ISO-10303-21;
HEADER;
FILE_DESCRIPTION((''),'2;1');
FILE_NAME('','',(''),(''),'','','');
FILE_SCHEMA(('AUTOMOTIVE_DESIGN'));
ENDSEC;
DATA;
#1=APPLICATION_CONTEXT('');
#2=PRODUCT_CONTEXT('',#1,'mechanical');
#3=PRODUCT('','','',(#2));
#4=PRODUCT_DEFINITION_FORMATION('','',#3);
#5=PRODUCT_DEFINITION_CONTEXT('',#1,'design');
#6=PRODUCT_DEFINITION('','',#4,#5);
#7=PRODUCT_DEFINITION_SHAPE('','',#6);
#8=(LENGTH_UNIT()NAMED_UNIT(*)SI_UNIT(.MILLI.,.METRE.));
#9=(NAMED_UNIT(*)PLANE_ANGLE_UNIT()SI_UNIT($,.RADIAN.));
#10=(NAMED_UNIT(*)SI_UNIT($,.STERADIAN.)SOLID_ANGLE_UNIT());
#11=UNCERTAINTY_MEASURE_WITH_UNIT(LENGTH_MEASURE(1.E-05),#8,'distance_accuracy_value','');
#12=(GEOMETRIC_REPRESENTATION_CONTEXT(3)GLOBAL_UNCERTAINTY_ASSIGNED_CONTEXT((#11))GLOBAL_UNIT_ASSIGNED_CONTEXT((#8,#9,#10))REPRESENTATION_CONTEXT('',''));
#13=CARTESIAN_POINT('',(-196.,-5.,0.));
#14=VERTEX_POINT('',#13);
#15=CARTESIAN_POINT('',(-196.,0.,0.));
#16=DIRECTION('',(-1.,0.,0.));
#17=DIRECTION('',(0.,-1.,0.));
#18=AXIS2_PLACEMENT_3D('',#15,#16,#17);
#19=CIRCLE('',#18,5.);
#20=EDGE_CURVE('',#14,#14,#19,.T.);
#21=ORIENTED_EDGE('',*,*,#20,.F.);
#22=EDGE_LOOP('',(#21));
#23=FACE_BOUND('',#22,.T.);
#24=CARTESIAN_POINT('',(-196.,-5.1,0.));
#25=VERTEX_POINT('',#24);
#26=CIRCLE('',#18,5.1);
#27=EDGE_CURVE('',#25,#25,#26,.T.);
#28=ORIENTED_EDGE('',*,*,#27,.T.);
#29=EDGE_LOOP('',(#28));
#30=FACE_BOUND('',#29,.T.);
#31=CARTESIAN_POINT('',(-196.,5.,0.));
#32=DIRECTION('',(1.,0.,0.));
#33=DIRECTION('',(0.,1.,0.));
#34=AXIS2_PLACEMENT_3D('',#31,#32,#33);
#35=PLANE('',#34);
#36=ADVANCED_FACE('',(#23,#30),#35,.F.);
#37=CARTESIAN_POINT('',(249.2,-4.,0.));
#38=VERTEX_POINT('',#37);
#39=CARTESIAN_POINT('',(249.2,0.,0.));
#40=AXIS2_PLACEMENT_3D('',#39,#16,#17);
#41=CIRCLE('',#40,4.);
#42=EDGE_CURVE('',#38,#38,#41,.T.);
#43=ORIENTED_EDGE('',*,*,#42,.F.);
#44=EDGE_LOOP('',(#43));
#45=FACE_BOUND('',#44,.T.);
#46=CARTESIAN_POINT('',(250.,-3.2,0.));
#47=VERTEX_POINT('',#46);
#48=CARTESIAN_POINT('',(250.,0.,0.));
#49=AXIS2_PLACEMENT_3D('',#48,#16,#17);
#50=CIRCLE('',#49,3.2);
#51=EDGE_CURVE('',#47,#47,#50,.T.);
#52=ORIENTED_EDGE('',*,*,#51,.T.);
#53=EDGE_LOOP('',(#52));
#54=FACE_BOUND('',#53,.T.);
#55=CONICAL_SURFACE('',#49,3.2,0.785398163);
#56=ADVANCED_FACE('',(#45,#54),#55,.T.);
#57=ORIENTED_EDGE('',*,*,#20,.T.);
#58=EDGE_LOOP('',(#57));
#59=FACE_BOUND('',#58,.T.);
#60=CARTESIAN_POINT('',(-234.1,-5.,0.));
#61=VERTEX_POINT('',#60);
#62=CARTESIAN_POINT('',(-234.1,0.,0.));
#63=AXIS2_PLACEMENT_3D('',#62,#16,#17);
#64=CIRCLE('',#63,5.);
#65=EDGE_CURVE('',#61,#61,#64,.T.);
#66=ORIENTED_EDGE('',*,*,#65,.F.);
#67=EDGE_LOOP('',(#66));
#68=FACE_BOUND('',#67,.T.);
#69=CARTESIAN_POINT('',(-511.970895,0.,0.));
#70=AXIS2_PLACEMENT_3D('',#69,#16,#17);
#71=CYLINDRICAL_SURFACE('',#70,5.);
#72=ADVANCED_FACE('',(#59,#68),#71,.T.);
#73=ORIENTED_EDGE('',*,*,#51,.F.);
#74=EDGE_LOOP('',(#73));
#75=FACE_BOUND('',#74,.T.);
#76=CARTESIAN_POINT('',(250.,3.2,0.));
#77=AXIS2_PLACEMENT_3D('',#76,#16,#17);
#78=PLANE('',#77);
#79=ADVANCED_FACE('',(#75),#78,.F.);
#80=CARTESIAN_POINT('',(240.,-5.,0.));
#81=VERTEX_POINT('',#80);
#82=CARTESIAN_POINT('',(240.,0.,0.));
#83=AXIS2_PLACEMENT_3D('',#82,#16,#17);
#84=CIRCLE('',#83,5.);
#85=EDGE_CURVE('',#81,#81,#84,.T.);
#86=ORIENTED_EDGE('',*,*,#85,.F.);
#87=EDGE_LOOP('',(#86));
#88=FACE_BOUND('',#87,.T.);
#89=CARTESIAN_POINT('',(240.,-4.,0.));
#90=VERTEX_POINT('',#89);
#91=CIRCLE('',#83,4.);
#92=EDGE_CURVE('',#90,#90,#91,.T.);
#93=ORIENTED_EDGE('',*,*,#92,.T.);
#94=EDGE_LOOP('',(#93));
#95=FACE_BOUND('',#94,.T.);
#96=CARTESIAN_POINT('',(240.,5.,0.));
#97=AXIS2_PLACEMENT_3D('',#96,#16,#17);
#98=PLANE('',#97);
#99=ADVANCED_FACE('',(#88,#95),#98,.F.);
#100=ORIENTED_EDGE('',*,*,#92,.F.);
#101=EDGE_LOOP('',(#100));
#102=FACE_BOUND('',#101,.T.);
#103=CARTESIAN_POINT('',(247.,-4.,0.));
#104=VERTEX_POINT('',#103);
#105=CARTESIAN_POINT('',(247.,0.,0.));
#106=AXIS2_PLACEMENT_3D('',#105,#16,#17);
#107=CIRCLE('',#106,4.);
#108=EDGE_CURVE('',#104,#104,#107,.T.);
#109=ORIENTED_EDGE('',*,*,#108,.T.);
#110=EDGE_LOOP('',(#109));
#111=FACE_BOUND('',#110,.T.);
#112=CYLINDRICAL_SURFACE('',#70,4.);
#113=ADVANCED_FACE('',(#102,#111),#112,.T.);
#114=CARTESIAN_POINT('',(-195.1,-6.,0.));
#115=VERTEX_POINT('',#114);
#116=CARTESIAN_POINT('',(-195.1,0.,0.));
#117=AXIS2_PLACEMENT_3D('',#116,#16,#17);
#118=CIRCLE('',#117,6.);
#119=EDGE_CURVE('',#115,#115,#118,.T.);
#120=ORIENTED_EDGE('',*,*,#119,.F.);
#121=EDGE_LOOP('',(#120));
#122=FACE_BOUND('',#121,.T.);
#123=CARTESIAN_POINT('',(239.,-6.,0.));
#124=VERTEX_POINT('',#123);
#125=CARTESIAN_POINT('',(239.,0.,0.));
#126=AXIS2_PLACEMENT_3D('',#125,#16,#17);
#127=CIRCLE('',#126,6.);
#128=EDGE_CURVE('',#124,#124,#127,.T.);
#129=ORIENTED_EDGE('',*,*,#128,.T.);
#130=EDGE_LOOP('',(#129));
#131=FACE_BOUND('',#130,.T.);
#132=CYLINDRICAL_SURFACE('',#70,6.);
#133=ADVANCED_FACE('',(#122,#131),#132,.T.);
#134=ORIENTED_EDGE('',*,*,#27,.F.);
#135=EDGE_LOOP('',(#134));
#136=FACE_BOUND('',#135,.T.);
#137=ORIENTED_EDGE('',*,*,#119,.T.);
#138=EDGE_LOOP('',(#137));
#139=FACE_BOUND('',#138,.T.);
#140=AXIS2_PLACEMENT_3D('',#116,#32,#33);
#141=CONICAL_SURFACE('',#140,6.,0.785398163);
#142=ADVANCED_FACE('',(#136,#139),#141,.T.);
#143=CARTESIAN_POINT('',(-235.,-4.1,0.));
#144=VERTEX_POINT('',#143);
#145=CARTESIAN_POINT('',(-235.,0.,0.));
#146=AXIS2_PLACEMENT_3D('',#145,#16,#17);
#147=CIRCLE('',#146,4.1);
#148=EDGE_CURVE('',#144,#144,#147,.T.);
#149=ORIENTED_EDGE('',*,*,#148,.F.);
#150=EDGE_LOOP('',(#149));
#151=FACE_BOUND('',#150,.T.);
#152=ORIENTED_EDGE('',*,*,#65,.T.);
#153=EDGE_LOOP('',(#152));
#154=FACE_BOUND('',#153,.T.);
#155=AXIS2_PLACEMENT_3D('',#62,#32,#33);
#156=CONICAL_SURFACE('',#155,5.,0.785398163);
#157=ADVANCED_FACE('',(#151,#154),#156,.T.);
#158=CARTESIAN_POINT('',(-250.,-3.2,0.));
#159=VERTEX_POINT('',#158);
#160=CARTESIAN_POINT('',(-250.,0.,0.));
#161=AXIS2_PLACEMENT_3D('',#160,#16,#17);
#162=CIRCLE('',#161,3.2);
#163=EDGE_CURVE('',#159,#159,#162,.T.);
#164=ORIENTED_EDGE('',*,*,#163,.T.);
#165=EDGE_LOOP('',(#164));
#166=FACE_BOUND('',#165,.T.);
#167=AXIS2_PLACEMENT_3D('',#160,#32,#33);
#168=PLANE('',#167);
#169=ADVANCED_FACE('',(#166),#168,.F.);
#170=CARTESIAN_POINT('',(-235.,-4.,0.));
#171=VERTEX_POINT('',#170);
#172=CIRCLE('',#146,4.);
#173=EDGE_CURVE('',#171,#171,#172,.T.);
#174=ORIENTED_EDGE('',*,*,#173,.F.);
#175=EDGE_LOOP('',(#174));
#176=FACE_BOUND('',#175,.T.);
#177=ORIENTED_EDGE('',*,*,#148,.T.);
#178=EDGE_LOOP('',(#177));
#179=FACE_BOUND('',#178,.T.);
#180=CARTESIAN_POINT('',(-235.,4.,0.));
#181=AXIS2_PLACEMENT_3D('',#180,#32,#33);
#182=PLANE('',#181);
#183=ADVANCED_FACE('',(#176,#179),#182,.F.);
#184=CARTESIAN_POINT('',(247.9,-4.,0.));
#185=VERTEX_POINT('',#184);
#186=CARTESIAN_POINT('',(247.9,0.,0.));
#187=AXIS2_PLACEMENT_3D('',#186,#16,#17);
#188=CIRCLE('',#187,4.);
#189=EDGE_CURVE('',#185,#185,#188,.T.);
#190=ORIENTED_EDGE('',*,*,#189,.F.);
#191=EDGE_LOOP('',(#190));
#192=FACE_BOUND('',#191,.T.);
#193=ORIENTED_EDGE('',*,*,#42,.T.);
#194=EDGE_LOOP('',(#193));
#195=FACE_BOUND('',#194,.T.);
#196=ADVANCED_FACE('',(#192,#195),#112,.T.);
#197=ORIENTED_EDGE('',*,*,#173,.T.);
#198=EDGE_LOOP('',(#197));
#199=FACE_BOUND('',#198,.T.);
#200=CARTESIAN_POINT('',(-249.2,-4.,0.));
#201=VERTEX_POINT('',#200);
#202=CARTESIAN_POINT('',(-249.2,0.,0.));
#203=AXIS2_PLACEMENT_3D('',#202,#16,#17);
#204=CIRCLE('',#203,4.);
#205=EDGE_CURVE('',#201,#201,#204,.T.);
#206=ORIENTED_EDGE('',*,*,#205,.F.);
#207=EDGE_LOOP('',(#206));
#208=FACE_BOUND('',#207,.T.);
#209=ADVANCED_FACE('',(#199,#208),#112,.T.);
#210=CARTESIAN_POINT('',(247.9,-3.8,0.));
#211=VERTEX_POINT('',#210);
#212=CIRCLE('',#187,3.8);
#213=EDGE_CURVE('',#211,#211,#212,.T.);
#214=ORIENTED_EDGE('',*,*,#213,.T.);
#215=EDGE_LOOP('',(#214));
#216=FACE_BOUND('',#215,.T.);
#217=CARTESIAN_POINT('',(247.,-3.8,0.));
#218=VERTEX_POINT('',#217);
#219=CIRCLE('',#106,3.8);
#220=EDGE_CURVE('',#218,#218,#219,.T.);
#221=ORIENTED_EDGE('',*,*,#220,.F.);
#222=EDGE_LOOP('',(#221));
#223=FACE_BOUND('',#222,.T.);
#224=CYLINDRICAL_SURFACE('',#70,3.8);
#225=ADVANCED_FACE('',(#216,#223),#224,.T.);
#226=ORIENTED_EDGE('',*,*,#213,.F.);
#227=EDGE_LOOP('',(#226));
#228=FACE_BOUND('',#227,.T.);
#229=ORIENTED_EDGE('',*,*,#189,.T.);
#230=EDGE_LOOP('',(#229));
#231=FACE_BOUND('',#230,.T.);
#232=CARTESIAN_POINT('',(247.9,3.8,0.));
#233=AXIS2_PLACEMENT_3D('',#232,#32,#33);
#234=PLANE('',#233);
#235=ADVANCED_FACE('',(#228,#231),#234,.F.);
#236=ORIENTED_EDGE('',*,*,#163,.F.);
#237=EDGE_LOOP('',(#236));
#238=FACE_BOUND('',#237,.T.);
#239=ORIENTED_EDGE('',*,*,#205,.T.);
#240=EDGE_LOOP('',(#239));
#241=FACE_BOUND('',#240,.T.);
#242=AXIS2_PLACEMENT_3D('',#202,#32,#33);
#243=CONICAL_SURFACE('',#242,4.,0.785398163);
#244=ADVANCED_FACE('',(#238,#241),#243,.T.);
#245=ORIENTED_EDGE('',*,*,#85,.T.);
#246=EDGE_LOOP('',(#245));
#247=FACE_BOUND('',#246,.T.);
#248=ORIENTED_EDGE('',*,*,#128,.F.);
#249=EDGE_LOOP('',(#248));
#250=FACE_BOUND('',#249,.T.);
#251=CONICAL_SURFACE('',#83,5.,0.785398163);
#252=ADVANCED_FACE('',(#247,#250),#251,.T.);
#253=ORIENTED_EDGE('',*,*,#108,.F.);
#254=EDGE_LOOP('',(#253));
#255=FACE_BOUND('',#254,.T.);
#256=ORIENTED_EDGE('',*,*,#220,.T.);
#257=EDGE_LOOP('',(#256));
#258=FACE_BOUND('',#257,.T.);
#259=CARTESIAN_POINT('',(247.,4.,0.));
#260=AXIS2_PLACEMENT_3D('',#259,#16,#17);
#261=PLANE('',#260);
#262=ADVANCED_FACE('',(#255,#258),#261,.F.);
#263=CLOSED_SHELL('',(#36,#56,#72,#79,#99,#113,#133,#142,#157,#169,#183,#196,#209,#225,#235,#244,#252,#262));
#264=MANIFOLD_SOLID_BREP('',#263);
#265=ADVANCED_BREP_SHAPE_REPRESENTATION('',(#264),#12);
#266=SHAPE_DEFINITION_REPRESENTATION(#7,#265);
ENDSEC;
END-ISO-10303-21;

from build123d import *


with BuildPart() as part:
    # Esquisse1 → Révolution1 (revolve)
    with BuildSketch(Plane.XY, mode=Mode.PRIVATE) as r_volution1_sk:
        Polygon((-250, 0), (-250, 3.2), (-249.2, 4), (-235, 4), (-235, 4.1), (-234.1, 5), (-196, 5), (-196, 5.1), (-195.1, 6), (239, 6), (240, 5), (240, 4), (247, 4), (247, 3.8), (247.9, 3.8), (247.9, 4), (249.2, 4), (250, 3.2), (250, 0), align=None)
    revolve(r_volution1_sk.sketch.rotate(Axis((-511.970894611, 0, 0), (1, 0, 0)), 180), axis=Axis((-511.970894611, 0, 0), (1, 0, 0)))


solid = part.part
